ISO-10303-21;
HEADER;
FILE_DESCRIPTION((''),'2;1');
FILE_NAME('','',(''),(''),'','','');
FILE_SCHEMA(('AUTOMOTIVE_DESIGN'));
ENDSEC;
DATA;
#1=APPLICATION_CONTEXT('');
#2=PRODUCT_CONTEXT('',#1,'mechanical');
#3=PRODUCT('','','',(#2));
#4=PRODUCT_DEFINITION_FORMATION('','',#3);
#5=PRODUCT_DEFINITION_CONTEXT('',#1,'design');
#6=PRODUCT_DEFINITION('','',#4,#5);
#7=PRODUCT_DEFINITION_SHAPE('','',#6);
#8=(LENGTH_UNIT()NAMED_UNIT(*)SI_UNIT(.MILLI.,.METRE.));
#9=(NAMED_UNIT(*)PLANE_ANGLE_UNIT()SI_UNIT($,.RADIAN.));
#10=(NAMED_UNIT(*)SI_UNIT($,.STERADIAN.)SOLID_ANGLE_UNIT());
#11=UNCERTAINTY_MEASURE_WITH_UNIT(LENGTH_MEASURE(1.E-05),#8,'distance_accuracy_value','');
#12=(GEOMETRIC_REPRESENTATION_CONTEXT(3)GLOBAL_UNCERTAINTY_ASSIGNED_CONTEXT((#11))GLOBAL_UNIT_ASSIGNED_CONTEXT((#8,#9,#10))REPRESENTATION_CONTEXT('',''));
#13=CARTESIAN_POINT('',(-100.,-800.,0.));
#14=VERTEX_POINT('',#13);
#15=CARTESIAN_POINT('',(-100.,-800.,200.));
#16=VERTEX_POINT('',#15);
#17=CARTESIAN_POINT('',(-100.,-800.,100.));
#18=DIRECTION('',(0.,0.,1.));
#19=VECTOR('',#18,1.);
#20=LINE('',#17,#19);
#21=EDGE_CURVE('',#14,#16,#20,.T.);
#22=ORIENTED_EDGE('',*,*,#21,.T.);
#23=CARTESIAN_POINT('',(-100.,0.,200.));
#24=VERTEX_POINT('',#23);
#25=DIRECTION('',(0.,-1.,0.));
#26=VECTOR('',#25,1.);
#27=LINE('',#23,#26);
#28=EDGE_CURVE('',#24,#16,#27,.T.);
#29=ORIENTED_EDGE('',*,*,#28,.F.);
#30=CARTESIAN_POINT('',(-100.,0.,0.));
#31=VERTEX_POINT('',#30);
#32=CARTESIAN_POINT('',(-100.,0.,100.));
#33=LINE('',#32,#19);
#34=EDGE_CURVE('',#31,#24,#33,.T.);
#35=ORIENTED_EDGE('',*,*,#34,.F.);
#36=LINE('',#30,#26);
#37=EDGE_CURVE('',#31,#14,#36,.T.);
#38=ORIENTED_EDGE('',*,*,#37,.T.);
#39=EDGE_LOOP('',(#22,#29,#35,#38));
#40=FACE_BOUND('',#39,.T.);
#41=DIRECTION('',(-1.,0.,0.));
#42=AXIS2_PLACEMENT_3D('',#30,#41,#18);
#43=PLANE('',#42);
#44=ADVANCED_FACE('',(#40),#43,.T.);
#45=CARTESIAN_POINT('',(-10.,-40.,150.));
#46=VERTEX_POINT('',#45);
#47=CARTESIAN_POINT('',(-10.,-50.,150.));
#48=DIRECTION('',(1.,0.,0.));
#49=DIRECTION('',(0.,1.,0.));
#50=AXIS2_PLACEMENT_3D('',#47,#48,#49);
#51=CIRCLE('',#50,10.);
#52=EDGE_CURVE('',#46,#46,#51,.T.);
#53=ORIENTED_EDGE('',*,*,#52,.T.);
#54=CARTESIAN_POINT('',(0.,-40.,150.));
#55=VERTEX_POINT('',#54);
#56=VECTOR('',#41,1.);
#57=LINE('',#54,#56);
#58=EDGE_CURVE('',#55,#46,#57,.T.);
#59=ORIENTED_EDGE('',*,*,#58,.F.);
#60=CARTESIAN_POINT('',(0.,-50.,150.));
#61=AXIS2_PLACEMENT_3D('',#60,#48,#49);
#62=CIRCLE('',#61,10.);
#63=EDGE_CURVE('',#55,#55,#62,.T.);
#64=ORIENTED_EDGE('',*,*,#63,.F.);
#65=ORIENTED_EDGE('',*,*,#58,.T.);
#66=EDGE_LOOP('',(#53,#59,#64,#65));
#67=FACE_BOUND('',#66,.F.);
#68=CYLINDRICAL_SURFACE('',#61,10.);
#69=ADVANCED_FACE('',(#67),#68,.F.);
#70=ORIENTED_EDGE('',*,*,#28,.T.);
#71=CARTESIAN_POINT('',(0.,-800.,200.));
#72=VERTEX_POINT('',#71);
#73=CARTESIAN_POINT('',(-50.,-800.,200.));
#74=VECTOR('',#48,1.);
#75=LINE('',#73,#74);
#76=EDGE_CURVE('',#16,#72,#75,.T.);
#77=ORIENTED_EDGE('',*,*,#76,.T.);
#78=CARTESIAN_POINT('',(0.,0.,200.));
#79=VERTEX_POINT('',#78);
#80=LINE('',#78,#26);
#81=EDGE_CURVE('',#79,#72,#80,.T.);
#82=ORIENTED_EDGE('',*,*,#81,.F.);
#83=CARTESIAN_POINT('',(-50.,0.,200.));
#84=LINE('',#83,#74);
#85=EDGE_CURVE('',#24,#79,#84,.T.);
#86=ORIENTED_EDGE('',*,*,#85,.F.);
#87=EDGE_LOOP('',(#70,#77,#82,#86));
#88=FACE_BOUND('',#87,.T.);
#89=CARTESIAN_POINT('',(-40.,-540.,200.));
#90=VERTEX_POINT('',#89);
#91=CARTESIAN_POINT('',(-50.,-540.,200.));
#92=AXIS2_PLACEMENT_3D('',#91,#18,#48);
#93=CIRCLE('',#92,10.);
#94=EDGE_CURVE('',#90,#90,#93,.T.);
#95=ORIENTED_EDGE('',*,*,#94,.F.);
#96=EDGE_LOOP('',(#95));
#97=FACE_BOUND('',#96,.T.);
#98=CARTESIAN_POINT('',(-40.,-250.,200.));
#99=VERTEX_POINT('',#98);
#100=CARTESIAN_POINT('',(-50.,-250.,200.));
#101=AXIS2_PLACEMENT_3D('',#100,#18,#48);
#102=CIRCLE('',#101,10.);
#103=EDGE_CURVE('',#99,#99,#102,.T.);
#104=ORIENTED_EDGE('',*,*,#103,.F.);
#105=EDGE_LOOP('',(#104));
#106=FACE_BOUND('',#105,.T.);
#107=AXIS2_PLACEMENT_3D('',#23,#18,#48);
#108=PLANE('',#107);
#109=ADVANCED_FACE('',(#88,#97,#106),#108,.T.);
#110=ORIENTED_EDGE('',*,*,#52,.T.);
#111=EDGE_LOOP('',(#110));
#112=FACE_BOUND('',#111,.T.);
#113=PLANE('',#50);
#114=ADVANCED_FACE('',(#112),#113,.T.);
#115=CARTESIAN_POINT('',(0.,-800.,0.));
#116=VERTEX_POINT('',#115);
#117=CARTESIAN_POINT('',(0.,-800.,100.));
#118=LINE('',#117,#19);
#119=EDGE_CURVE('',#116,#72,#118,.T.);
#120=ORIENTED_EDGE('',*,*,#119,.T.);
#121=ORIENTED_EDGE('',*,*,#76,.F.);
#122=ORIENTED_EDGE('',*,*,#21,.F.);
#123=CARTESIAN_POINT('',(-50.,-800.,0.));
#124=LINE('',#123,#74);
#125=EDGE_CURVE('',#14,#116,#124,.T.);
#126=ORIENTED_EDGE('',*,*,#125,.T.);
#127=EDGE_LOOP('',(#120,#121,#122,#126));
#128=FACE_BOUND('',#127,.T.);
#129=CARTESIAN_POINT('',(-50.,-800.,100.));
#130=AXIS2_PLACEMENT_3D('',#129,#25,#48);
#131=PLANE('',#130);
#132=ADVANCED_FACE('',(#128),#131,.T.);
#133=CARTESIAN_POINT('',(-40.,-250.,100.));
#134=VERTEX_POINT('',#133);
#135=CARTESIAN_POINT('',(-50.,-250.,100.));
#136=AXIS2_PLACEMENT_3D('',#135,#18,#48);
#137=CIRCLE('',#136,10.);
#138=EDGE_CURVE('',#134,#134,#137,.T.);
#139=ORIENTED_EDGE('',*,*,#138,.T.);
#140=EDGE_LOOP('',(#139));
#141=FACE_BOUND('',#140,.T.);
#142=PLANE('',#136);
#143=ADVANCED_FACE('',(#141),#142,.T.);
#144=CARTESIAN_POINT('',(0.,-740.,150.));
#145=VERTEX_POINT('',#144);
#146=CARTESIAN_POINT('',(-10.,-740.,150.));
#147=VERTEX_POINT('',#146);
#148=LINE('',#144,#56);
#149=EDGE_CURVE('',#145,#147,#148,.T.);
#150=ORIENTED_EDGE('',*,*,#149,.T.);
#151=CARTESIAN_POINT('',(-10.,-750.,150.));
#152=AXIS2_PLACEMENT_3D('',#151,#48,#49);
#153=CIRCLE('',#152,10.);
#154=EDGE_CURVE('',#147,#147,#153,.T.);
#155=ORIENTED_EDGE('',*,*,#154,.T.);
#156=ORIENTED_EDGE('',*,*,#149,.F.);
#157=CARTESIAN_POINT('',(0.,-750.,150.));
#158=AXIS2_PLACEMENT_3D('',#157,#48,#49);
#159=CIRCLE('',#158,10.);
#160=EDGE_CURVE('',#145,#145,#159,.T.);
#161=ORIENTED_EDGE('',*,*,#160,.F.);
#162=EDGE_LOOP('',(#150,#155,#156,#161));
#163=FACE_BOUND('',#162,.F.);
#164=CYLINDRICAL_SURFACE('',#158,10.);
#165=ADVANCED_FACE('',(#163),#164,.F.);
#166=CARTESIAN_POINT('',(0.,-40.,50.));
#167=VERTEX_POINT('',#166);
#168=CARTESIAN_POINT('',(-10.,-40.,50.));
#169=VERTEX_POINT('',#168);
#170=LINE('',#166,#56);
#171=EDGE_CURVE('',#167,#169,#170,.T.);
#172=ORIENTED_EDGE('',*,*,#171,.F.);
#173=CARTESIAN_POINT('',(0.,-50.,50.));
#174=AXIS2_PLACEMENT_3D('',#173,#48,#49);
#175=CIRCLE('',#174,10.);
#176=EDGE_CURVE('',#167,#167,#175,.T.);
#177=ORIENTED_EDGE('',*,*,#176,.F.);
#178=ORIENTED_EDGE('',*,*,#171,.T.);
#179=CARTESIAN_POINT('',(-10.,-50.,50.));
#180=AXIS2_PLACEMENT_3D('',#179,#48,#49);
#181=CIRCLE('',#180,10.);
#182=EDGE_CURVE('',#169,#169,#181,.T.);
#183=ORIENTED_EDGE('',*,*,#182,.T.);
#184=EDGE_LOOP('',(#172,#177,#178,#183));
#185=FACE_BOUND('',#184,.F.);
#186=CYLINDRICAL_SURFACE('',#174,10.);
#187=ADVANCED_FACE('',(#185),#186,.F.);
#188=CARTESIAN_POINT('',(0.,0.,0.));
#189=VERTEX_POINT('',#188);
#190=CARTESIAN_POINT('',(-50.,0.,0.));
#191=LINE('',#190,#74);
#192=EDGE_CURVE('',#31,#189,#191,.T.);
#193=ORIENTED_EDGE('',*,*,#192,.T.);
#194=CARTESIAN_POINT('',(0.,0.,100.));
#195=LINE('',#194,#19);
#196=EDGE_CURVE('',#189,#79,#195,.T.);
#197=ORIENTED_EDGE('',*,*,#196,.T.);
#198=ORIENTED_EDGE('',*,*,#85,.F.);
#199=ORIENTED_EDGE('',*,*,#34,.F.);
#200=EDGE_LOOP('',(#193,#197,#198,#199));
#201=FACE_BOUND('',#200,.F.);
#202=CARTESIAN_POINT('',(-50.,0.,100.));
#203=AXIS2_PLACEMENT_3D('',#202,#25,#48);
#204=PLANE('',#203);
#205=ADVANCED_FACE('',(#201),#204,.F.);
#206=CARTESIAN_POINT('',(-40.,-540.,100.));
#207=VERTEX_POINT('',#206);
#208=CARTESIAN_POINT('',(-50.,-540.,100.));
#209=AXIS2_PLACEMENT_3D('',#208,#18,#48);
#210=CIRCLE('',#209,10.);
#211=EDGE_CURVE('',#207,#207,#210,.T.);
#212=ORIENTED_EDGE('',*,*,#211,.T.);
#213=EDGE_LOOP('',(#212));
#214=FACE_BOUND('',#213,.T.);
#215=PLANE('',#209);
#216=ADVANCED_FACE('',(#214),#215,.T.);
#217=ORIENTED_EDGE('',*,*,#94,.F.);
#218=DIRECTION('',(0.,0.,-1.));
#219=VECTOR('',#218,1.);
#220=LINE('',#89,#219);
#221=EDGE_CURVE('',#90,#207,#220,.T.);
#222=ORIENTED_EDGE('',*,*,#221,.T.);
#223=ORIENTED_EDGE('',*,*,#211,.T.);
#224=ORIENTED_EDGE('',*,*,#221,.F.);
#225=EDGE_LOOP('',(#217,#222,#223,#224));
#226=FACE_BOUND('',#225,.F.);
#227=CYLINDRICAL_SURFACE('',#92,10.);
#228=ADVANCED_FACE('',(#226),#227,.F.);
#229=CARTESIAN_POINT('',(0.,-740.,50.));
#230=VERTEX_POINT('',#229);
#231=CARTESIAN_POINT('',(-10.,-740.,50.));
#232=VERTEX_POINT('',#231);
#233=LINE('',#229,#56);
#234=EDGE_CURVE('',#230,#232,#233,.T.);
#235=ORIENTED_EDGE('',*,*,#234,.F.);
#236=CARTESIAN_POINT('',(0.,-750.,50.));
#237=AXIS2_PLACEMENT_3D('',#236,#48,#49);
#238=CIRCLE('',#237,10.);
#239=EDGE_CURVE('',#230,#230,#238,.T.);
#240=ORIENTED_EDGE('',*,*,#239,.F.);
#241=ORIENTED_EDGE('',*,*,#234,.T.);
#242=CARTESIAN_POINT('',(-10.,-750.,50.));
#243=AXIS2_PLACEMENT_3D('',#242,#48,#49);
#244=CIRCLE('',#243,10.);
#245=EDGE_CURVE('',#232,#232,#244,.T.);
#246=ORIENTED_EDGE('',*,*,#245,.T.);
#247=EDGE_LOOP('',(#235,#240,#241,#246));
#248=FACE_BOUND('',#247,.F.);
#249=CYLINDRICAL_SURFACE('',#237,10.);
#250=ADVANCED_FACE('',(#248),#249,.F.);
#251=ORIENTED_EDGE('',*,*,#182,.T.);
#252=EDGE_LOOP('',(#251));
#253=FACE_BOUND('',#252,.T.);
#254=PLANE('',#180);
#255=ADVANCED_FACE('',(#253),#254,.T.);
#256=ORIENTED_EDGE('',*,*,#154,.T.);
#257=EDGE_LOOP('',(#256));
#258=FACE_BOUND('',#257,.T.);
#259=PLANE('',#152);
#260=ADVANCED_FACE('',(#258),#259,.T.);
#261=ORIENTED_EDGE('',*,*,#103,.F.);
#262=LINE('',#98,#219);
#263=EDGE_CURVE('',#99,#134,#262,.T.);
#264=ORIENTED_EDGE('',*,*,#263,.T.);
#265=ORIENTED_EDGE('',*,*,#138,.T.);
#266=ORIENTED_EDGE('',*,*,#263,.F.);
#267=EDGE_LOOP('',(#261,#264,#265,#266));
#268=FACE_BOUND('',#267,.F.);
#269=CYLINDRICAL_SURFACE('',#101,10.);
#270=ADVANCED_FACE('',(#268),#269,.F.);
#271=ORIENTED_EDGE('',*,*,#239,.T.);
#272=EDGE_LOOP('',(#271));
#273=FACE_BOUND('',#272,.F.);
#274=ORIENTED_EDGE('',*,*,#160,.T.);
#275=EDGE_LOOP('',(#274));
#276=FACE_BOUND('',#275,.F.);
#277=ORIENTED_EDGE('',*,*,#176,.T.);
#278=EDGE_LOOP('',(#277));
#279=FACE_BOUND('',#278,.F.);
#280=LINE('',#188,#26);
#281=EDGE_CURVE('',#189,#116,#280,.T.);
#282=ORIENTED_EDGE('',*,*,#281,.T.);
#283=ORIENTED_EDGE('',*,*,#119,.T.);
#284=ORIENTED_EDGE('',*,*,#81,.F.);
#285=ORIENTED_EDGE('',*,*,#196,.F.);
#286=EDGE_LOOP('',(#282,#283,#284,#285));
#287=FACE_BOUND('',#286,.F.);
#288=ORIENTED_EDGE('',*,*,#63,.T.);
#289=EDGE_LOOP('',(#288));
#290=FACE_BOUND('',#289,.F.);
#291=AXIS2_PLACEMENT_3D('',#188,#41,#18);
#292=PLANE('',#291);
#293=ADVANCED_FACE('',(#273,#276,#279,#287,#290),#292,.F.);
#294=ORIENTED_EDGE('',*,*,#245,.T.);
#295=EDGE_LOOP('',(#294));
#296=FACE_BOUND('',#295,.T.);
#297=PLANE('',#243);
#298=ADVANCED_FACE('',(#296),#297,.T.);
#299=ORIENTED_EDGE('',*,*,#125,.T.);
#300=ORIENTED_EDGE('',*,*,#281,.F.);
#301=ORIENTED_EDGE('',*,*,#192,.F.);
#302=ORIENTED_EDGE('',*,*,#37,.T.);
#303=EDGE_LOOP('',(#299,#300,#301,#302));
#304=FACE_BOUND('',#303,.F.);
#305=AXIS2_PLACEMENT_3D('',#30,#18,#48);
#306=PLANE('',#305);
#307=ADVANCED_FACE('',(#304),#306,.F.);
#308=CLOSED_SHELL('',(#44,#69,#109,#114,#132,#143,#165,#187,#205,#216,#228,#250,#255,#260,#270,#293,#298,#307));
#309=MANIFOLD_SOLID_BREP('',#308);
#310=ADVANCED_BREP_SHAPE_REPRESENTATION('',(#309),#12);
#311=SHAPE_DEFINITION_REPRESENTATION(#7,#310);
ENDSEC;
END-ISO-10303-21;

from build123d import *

# Parameters (mm, degrees)
F0_W     = 100
F0_H     = 200
F1_DEPTH = 800
F2_R     = 10
F3_DEPTH = 10
F4_R     = 10
F5_DEPTH = 100


with BuildPart() as f1:
    # F0 (on Front) → F1 (new body)
    with BuildSketch(Plane.XZ):
        with Locations((-50, 100)):
            Rectangle(F0_W, F0_H)
    extrude(amount=F1_DEPTH)

    # F2 (on face) → F3 (cut)
    with BuildSketch(Plane.YZ):
        with Locations((-750, 150)):
            Circle(F2_R)
        with Locations((-750, 50)):
            Circle(F2_R)
        with Locations((-50, 150)):
            Circle(F2_R)
        with Locations((-50, 50)):
            Circle(F2_R)
    extrude(amount=-F3_DEPTH, mode=Mode.SUBTRACT)

    # F4 (on face) → F5 (cut)
    with BuildSketch(Plane.XY.offset(200)):
        with Locations((-50, -250)):
            Circle(F4_R)
        with Locations((-50, -540)):
            Circle(F4_R)
    extrude(amount=-F5_DEPTH, mode=Mode.SUBTRACT)


solid = f1.part
